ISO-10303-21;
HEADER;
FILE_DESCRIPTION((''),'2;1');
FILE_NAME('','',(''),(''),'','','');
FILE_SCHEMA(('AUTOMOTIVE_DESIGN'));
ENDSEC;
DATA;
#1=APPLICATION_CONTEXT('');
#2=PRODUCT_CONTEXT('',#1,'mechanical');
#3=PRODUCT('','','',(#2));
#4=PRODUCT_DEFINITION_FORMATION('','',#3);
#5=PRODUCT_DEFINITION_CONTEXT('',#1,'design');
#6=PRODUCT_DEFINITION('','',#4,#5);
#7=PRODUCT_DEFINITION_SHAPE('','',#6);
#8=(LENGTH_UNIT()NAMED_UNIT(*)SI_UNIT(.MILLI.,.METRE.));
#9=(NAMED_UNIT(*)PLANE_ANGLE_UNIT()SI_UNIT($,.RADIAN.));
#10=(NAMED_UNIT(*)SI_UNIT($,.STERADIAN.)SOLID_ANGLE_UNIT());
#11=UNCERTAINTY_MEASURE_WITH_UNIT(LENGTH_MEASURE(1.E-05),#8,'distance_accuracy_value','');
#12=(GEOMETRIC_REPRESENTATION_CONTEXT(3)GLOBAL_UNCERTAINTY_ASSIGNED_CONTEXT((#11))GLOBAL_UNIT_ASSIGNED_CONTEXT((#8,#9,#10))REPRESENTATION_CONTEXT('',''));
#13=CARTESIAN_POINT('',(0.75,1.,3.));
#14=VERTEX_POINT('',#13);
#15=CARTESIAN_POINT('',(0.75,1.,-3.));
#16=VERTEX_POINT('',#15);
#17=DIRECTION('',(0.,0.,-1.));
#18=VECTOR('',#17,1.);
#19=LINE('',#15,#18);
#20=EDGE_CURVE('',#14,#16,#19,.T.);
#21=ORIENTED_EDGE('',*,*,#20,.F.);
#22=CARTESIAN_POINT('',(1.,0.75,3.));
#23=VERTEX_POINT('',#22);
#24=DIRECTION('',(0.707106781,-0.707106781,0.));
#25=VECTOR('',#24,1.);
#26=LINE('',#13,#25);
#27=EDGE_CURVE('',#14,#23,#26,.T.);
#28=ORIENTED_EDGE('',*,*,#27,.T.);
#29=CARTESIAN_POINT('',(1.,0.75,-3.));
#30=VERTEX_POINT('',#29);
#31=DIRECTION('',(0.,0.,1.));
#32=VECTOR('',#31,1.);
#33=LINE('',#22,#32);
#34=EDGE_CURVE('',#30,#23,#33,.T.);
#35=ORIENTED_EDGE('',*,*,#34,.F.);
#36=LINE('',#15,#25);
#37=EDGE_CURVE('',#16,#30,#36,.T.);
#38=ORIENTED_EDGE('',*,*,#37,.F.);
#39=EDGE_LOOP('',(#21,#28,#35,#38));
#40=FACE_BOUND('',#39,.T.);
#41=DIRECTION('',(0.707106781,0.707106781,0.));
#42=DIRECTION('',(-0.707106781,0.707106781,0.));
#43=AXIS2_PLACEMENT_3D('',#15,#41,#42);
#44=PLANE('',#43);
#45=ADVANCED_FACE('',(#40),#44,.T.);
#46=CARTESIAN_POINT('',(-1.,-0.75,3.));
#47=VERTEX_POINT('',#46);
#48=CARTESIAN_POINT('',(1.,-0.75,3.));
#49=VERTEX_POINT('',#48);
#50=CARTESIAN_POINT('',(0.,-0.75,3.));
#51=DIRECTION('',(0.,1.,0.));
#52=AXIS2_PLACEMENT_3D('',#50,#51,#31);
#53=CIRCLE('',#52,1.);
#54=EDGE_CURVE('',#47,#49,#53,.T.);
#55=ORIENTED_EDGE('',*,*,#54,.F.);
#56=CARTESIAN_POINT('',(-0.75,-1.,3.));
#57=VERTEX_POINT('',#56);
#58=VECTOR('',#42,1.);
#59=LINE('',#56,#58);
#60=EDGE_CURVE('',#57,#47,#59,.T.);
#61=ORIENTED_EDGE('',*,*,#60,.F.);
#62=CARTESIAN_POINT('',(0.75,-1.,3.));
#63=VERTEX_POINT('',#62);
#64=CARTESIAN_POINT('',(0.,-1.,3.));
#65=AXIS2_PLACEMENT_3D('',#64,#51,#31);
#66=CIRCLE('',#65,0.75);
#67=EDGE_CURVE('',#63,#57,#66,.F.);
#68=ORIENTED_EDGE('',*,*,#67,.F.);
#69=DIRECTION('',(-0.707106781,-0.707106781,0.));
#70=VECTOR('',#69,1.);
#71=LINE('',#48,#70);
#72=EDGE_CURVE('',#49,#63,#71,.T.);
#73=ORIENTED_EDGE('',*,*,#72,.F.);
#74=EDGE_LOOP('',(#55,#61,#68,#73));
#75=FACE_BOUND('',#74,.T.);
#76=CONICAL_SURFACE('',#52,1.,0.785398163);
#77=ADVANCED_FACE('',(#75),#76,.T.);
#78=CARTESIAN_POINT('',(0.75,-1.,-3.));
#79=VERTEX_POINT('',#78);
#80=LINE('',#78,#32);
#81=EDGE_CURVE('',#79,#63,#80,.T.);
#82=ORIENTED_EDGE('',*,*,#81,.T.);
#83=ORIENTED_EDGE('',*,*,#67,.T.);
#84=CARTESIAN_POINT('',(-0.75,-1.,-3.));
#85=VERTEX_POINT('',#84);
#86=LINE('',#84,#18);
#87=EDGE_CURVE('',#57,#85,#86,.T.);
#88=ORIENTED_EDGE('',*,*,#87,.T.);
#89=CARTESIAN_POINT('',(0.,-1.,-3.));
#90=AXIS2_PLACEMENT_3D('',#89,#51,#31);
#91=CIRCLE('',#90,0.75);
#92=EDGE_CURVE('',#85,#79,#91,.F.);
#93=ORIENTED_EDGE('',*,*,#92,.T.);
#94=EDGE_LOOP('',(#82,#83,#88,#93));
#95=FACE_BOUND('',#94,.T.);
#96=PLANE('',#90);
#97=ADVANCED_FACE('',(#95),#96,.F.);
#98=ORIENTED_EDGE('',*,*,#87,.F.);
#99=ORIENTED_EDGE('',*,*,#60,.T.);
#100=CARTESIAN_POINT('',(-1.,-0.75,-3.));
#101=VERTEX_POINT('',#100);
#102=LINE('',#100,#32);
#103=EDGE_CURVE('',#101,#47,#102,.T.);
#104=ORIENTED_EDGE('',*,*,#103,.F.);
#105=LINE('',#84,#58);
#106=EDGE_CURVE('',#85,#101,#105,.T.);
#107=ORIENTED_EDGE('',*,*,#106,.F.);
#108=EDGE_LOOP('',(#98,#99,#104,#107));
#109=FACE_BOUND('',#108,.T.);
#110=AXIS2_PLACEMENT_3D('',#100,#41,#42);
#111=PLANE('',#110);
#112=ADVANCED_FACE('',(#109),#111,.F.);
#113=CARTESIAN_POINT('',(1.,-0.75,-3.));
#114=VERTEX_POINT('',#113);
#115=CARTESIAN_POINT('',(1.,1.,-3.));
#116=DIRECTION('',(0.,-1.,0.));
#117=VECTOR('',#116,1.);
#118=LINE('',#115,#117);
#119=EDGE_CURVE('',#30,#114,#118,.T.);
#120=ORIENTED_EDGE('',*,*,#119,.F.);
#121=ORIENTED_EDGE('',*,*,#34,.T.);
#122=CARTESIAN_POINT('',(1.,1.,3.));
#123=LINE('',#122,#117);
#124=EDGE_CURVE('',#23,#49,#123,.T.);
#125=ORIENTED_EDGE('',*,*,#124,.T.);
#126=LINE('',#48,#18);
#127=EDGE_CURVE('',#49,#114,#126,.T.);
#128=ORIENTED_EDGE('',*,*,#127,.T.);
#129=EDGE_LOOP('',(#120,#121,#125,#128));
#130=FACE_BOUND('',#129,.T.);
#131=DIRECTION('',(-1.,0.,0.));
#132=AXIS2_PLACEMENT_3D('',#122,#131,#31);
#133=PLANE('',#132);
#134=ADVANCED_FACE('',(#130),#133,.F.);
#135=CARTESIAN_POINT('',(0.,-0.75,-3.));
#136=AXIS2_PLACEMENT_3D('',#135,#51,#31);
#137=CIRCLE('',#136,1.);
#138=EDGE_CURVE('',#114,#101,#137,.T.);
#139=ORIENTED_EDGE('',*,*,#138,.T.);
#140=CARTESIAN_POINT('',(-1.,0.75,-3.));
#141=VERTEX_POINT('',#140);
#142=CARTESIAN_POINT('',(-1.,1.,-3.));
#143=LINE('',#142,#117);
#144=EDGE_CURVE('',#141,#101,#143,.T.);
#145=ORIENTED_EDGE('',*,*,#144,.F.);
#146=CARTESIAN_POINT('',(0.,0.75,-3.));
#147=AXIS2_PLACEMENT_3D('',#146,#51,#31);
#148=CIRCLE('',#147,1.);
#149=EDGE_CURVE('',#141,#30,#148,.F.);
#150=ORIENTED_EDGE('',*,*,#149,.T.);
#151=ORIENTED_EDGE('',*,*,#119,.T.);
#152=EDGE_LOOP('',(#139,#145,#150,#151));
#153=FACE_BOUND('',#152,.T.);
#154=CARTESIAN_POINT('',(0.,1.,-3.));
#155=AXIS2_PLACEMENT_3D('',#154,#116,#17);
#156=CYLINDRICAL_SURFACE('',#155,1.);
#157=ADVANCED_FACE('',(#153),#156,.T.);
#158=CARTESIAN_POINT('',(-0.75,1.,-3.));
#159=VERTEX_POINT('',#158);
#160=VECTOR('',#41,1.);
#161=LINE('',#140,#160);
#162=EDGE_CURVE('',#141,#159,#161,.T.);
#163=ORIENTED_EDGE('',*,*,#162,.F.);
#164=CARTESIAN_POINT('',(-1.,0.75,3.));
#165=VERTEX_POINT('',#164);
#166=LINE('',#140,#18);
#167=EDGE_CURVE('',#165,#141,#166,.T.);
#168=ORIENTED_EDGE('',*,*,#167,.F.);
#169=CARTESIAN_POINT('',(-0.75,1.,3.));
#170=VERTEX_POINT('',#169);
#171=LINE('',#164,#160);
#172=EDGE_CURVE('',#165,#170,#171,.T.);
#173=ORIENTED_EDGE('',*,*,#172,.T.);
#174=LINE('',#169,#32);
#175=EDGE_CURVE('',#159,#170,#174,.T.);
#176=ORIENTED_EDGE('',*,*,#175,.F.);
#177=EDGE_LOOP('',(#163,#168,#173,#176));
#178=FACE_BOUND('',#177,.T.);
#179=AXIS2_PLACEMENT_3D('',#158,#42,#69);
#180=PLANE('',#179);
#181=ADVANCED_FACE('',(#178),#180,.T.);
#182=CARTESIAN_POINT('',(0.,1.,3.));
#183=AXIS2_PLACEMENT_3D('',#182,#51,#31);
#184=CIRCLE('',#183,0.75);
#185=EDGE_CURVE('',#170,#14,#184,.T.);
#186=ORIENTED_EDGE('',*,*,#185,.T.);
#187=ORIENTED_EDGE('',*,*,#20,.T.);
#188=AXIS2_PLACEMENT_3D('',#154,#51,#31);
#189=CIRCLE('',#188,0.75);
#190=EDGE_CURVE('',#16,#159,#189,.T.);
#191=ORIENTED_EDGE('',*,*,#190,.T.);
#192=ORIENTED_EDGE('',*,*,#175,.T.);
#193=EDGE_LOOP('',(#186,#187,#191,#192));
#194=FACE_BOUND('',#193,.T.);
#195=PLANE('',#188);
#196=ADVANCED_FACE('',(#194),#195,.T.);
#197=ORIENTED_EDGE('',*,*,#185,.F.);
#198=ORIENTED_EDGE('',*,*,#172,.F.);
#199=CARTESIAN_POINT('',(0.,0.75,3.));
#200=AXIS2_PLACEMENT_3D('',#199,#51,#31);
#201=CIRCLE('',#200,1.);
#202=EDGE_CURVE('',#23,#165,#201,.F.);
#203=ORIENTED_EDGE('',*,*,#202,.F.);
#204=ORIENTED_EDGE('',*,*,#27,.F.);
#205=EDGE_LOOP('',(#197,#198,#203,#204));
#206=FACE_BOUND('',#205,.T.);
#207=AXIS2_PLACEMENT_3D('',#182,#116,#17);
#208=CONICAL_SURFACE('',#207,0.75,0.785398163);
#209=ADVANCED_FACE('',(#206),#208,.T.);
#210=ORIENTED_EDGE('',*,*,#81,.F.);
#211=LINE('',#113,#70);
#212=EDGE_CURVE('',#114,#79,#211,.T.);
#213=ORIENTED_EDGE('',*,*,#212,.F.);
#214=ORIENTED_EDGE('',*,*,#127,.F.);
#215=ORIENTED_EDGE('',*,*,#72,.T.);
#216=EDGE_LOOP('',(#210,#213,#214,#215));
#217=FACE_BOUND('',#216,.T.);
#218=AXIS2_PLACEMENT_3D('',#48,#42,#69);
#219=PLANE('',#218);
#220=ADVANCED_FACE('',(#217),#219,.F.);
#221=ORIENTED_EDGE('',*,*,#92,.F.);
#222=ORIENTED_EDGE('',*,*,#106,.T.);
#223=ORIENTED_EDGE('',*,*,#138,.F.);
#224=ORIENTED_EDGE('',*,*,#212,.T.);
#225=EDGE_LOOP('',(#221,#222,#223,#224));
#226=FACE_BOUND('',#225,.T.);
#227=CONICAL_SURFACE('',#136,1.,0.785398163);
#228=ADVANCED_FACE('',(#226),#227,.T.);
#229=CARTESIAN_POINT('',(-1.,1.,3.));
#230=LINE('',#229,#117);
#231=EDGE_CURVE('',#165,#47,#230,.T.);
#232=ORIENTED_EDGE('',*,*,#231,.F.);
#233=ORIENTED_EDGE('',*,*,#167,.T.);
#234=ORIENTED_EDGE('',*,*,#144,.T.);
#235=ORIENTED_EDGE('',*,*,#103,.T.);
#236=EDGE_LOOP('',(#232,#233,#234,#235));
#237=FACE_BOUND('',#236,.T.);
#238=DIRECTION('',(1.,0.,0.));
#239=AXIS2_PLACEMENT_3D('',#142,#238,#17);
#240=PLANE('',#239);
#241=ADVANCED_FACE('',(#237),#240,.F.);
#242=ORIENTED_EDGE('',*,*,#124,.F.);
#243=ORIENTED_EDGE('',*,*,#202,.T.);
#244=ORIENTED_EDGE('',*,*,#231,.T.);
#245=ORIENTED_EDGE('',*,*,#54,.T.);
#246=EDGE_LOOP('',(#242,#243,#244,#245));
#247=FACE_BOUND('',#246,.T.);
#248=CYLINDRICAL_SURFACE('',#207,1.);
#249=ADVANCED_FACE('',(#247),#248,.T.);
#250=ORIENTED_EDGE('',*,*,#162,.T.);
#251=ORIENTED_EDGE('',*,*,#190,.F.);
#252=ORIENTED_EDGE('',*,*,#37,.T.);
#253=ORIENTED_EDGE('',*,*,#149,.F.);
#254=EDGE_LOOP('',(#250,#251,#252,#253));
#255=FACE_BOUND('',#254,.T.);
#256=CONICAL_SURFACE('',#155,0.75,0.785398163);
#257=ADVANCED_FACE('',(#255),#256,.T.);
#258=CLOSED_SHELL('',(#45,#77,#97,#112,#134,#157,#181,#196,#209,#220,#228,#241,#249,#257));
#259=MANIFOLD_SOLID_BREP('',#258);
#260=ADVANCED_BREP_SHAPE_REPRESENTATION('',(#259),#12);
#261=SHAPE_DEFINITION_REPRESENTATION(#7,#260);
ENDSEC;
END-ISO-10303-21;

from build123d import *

# Parameters (mm, degrees)
VYSUNOUT1_DEPTH = 1
ZKOSIT1_SIZE    = 0.25


with BuildPart() as part:
    # Skica1 → Vysunout1 (new, symmetric)
    with BuildSketch(Plane(origin=(0, 0, 0), x_dir=(1, 0, 0), z_dir=(0, 1, 0))):
        with BuildLine():
            Line((-1, 3), (-1, -3))
            ThreePointArc((-1, -3), (0, -4), (1, -3))
            Line((1, -3), (1, 3))
            ThreePointArc((1, 3), (0, 4), (-1, 3))
        make_face()
    extrude(amount=VYSUNOUT1_DEPTH, both=True)

    # Zkosit1
    zkosit1_edges = [part.edges().sort_by_distance(p)[0] for p in [
        (0, 1, 4),
        (1, 1, 0),
        (0, 1, -4),
        (1, -1, 0),
        (0, -1, 4),
        (-1, -1, 0),
        (0, -1, -4),
        (-1, 1, 0),
    ]]
    chamfer(zkosit1_edges, length=ZKOSIT1_SIZE)


solid = part.part
